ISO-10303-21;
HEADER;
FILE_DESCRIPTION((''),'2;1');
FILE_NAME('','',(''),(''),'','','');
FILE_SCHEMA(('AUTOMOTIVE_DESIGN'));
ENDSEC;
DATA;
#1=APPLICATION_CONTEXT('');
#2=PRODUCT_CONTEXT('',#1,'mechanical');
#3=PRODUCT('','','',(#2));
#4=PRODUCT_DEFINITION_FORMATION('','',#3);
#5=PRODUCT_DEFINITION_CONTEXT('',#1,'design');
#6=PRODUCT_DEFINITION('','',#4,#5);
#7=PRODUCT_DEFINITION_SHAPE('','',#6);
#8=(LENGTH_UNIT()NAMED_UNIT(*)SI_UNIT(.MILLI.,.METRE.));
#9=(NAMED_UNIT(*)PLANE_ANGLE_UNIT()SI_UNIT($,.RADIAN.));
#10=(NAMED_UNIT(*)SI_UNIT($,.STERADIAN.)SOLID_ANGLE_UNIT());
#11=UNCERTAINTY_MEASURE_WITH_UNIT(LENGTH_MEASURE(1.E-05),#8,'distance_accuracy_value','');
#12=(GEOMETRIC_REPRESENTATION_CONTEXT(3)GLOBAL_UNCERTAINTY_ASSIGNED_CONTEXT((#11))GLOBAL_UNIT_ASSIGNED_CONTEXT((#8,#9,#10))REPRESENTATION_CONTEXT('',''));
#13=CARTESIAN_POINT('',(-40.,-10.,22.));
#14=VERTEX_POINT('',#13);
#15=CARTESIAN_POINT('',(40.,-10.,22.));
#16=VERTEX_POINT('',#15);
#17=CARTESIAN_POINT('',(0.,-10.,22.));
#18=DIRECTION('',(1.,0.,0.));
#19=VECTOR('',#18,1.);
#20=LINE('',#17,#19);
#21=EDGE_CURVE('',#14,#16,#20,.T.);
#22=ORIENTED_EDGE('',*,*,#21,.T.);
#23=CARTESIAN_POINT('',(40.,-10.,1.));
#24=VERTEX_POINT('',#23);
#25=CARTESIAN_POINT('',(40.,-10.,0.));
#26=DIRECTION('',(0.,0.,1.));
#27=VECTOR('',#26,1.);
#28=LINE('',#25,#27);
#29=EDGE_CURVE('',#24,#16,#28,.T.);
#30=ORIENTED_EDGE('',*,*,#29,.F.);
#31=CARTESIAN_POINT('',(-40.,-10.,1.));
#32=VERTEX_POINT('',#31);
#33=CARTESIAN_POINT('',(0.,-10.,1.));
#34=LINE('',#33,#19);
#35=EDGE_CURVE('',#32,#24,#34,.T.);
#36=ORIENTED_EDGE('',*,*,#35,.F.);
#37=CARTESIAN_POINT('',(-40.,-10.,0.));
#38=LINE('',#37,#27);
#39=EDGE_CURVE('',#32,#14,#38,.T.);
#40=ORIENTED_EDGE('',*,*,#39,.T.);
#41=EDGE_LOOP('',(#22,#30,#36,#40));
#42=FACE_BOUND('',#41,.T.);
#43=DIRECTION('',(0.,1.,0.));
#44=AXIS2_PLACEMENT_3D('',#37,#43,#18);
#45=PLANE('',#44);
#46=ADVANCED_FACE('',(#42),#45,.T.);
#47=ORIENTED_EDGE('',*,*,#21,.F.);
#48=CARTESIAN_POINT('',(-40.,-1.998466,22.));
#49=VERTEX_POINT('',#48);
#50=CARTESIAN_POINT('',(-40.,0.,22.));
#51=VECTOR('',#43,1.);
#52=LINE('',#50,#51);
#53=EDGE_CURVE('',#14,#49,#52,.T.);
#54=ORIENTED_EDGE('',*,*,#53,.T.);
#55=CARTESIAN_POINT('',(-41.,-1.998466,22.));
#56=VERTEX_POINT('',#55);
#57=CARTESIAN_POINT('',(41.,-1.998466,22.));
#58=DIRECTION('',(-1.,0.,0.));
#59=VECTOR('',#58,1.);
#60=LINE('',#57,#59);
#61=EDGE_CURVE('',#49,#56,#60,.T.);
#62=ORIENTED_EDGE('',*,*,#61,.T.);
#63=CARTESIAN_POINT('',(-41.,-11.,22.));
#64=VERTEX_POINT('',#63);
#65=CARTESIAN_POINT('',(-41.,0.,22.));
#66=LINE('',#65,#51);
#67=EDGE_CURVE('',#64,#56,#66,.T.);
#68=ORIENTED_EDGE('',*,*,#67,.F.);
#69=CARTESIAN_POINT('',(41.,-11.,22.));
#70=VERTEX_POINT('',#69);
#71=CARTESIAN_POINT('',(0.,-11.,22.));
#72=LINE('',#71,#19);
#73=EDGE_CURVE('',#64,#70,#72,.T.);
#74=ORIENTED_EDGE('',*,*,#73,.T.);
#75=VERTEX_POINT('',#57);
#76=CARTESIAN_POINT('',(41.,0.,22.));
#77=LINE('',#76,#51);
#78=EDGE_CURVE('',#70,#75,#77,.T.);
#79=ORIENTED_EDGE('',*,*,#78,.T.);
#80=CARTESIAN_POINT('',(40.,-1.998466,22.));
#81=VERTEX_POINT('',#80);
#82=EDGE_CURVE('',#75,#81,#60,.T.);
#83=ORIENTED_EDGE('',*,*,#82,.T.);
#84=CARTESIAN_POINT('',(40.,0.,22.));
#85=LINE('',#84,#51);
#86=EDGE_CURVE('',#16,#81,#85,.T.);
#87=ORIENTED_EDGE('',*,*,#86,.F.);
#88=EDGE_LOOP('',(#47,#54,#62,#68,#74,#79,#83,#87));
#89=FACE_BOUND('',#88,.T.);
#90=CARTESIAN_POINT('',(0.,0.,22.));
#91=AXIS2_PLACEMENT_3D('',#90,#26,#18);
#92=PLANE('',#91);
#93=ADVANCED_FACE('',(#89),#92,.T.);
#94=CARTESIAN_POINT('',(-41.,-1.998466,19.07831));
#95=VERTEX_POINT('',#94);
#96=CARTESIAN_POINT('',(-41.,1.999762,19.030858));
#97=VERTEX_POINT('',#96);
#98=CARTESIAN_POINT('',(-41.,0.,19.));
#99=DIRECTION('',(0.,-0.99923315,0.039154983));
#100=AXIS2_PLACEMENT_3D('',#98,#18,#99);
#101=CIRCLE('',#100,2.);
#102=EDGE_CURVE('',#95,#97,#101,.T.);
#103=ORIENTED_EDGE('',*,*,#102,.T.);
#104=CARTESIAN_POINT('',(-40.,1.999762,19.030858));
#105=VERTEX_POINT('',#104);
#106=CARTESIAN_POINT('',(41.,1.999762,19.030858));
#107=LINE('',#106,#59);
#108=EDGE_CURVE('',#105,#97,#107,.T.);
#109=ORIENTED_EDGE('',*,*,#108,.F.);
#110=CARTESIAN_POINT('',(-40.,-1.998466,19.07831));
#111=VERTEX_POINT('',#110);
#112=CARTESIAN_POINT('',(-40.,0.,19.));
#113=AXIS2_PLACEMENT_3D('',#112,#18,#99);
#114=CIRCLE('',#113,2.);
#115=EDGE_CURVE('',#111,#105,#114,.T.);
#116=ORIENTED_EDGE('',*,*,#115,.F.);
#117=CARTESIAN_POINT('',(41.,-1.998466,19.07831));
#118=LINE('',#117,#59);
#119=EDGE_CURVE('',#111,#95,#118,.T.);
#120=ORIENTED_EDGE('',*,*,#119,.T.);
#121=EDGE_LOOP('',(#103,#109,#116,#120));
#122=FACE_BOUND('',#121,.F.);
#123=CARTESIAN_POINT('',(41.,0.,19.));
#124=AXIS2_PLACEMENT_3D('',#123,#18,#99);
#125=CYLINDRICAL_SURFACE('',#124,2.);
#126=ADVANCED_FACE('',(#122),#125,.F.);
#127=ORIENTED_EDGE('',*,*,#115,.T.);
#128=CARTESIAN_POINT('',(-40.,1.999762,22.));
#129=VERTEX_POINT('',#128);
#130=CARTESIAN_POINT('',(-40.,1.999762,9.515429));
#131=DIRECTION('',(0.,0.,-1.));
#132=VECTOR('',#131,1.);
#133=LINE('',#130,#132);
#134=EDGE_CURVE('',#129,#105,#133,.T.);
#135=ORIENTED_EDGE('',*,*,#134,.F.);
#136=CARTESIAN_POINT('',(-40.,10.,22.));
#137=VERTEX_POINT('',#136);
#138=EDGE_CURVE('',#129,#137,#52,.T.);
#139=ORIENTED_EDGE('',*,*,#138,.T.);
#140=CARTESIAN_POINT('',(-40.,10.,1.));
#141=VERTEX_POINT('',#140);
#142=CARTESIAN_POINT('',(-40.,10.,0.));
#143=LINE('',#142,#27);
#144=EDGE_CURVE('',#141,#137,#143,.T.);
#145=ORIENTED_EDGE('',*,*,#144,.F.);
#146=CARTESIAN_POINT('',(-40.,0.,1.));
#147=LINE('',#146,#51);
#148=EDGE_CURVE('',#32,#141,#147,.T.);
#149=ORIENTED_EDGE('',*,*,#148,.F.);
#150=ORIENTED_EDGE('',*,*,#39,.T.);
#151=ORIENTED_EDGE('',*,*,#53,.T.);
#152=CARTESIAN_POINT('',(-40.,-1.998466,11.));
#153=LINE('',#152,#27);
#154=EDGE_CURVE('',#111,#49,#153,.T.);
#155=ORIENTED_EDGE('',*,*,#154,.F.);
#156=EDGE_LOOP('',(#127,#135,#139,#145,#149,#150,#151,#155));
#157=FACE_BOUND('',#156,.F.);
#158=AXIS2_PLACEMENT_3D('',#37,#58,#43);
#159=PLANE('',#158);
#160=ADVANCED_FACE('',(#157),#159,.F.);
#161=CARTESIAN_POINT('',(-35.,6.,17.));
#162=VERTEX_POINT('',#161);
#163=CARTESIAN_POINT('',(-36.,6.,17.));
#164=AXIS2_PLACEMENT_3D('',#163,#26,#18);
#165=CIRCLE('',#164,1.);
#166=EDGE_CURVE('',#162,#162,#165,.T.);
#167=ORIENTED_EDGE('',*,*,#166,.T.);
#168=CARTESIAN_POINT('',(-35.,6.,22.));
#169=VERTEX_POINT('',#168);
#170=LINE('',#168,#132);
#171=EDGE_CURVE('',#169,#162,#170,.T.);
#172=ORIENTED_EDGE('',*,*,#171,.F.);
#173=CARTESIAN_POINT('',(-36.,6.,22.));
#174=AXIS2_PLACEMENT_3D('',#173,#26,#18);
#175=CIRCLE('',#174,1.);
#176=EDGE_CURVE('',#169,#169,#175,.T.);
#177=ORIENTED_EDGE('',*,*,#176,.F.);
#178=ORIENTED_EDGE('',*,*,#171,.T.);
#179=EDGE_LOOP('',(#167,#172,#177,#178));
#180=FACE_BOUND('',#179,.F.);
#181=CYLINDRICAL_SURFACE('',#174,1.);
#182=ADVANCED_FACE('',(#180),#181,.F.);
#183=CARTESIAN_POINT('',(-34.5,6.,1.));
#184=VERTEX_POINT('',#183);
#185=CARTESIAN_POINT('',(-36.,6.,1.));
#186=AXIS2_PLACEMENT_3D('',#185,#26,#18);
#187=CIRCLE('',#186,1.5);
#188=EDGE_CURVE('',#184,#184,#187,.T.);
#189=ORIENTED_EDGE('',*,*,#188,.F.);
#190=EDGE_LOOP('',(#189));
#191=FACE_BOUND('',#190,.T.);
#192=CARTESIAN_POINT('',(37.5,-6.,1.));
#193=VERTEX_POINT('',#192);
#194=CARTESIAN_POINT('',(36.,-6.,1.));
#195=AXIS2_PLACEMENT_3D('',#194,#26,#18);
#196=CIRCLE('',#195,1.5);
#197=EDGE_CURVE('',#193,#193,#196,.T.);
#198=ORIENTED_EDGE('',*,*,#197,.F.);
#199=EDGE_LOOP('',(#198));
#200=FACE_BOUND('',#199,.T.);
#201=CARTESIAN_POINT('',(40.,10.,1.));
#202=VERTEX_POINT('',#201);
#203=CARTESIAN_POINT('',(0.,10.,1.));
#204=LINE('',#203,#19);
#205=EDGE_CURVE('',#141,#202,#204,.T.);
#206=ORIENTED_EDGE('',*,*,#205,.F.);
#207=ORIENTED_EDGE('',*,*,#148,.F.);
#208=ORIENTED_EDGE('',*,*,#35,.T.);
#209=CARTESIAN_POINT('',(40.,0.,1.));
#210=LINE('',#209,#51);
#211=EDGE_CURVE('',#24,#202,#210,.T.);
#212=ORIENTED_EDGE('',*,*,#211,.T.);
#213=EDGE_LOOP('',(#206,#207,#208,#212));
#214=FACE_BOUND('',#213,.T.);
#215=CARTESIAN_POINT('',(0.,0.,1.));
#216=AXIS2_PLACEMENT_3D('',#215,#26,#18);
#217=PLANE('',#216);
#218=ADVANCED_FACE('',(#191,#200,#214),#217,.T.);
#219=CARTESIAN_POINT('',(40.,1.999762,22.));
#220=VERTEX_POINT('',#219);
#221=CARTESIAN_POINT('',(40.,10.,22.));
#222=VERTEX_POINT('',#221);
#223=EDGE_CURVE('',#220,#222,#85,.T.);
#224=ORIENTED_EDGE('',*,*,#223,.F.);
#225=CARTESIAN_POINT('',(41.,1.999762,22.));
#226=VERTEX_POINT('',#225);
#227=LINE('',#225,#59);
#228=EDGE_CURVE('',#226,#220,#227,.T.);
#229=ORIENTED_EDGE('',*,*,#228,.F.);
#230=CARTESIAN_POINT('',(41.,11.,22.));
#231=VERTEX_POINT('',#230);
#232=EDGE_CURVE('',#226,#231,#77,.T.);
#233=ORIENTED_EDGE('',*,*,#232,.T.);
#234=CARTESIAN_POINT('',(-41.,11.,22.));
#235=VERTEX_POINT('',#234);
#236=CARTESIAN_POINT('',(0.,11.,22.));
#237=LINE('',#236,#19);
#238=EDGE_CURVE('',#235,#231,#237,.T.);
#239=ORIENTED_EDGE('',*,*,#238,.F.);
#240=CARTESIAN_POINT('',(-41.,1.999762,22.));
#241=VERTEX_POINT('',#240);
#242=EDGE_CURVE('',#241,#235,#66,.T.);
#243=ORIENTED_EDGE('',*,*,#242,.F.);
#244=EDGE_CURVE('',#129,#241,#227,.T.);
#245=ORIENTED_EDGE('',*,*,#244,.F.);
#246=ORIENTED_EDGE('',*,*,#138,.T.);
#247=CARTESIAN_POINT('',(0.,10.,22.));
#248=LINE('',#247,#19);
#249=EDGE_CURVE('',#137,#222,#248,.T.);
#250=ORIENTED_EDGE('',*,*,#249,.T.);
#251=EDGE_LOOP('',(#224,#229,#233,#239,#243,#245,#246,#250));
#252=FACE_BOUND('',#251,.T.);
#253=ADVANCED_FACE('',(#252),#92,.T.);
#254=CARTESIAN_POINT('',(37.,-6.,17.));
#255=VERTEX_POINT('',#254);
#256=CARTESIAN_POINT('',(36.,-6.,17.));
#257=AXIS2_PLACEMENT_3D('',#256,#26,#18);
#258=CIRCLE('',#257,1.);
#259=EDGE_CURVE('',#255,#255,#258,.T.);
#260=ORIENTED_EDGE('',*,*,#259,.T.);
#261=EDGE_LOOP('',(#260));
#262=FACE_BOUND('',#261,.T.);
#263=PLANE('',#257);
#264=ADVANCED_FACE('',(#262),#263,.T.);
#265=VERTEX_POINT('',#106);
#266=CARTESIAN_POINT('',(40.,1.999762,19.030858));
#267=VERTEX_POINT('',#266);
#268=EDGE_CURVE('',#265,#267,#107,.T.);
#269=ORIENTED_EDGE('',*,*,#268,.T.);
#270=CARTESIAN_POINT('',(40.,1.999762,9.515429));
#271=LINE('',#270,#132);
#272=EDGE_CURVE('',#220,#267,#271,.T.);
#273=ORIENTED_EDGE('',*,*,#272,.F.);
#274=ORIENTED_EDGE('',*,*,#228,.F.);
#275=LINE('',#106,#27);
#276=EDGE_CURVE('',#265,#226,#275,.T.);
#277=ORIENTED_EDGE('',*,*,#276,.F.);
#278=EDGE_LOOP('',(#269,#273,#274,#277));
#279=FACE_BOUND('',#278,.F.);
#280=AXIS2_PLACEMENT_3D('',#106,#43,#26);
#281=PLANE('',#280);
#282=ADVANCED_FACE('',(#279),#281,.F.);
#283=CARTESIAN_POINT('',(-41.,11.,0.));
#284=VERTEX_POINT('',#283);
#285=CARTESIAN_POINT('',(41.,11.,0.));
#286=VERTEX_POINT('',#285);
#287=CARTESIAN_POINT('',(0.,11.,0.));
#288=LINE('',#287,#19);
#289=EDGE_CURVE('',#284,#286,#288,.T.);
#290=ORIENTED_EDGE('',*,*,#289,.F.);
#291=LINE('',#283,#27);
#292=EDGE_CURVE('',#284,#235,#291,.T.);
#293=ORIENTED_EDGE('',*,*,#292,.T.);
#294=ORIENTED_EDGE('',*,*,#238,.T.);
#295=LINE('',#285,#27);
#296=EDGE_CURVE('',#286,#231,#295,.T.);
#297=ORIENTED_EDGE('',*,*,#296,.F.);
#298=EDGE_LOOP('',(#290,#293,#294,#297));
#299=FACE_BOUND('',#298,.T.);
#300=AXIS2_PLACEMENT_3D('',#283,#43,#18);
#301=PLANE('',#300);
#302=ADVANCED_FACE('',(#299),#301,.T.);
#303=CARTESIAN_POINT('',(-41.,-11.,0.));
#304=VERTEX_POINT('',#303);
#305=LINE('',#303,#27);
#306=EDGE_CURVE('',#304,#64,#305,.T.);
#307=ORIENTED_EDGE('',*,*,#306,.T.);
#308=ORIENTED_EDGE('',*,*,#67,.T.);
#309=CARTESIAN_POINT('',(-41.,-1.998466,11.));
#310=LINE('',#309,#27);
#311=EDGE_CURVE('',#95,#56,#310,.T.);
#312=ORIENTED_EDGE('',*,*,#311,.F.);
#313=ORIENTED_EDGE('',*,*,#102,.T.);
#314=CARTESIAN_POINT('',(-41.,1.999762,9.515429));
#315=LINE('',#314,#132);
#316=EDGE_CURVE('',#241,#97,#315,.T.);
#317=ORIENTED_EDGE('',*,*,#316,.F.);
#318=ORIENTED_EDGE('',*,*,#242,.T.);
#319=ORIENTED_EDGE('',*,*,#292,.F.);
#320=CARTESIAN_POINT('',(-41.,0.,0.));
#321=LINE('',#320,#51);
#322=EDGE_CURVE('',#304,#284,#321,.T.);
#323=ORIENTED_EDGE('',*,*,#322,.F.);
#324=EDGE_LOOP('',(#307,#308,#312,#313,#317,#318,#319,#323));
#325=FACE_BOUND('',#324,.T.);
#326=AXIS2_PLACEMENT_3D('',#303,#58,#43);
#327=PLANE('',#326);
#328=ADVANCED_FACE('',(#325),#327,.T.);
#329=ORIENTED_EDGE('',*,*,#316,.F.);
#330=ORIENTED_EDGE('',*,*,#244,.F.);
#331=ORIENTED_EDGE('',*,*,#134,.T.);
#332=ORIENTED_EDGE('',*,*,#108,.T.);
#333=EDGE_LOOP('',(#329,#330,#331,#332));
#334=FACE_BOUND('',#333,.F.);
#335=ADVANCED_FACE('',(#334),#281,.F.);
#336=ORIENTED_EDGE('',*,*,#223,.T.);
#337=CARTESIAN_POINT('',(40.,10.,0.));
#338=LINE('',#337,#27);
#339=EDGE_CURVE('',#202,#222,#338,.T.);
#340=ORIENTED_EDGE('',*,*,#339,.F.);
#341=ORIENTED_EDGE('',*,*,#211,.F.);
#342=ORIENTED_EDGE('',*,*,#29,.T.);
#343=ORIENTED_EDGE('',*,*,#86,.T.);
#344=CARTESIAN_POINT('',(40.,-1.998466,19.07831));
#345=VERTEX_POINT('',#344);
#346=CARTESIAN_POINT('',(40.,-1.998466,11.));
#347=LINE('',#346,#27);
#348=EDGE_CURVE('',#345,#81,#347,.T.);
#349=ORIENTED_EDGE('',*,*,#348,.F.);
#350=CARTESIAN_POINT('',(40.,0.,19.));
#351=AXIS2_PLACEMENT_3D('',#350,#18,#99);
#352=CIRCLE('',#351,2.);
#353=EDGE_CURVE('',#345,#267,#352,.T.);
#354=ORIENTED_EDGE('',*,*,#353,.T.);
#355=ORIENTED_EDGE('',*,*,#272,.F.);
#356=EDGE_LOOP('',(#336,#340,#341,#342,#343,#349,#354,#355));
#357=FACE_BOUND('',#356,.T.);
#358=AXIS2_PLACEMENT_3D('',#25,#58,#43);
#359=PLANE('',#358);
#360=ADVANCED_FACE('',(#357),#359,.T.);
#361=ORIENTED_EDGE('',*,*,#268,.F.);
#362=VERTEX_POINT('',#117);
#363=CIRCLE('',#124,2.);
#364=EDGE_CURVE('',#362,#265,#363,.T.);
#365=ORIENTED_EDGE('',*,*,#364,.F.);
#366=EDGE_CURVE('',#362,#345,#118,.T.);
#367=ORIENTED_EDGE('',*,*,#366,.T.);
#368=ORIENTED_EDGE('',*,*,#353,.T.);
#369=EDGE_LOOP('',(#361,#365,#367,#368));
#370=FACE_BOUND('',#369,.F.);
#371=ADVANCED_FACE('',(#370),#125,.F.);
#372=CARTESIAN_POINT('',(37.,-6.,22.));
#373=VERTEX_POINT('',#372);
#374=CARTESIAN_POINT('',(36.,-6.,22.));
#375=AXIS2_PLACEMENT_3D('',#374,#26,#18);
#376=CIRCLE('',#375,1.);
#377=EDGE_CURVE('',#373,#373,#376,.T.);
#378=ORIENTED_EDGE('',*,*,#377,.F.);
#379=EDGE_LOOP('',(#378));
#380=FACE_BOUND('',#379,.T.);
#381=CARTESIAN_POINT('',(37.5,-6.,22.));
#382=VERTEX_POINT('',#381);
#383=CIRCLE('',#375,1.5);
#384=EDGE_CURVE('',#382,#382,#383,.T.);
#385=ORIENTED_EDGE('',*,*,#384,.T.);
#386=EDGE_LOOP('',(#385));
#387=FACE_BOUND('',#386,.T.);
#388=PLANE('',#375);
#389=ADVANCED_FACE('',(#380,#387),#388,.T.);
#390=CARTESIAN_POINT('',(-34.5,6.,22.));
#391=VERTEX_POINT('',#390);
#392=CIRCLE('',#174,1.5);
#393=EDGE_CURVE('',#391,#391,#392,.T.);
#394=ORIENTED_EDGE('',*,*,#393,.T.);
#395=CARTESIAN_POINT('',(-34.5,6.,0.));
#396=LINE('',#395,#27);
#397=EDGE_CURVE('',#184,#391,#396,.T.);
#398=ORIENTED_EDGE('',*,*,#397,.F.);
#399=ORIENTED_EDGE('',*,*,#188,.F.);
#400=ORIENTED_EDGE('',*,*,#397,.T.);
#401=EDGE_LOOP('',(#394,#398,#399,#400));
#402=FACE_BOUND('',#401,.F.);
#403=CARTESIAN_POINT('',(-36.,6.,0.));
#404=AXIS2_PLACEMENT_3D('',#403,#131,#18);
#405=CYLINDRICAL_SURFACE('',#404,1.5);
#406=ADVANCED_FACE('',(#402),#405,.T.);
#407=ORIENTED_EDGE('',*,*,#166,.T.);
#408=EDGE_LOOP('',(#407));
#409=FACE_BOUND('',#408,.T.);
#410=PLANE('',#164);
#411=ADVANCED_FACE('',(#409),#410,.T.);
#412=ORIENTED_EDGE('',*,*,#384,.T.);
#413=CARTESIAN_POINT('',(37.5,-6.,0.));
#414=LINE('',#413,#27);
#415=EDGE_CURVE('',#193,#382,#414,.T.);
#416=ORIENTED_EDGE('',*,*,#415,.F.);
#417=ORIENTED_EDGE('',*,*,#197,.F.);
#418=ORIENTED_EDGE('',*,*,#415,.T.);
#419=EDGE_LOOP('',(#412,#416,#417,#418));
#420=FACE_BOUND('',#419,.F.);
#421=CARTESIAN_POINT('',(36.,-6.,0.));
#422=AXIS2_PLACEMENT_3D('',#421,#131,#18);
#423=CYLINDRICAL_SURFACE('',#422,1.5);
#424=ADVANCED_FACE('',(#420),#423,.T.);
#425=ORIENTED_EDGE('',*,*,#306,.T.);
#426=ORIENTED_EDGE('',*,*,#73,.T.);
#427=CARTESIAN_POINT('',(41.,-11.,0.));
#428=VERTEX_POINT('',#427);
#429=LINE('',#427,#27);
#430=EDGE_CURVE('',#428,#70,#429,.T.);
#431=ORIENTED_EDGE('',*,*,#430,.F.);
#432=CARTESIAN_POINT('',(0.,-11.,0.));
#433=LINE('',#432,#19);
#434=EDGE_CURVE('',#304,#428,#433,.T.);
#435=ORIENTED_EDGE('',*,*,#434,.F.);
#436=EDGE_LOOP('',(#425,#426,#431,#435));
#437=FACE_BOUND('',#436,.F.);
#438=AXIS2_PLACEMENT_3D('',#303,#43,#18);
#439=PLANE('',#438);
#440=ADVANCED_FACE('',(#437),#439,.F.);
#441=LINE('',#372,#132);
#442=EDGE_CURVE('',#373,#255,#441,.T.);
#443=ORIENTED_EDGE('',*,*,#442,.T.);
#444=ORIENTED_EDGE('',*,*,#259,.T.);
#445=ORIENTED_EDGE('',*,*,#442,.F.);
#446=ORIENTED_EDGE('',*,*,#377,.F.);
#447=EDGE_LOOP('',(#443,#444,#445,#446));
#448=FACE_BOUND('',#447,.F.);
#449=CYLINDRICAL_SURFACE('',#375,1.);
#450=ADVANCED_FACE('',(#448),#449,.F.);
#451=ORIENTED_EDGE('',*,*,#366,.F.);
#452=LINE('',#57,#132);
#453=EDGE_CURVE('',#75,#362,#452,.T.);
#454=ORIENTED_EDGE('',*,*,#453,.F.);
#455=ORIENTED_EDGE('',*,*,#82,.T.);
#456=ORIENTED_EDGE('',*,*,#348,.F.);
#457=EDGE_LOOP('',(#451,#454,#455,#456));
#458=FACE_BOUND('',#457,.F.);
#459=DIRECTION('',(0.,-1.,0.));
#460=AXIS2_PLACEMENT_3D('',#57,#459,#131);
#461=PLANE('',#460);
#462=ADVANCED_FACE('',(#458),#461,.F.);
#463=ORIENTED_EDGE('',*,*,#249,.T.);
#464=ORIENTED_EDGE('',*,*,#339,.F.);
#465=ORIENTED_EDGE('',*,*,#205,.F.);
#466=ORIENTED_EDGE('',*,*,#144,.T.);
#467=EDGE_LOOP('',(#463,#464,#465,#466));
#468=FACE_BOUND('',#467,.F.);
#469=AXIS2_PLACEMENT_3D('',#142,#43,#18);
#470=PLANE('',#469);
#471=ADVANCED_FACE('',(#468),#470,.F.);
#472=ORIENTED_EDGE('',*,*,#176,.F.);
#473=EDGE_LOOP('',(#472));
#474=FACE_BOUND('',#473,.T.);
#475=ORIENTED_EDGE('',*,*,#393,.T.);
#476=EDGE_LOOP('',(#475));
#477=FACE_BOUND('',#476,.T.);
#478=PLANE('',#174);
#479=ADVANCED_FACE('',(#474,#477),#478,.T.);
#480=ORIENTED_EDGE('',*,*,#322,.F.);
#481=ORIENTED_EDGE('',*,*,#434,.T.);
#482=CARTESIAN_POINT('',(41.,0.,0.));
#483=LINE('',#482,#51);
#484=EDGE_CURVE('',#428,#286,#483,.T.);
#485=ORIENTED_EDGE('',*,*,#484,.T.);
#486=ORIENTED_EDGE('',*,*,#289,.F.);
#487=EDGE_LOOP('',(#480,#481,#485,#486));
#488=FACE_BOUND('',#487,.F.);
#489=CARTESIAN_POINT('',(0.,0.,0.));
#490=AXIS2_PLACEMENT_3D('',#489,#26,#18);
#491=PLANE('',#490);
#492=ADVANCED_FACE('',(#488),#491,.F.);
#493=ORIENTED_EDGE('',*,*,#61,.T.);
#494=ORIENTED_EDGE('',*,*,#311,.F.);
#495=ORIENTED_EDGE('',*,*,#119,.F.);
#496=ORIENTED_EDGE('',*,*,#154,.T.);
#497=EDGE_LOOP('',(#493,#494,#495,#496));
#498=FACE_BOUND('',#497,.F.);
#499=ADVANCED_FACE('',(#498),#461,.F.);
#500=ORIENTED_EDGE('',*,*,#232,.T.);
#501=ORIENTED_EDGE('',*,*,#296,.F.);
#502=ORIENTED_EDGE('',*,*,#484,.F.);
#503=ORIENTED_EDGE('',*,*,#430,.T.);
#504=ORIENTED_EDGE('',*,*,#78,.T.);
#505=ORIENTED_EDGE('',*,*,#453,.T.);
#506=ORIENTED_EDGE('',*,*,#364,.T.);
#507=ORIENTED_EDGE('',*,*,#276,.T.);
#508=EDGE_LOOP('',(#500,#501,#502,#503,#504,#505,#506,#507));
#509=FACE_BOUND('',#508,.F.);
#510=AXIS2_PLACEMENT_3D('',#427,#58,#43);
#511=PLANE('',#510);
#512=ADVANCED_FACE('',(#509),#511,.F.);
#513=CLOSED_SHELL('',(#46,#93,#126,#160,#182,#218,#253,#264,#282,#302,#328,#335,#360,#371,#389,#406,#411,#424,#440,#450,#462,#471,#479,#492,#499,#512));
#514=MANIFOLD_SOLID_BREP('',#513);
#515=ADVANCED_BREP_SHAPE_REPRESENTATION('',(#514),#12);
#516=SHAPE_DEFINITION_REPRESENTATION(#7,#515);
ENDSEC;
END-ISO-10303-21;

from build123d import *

# Parameters (mm, degrees)
F0_W     = 80
F0_H     = 20
F0_R     = 1.5
F1_DEPTH = 1
F0_W_2   = 82
F0_H_2   = 22
F2_DEPTH = 22
F3_R     = 1
F4_DEPTH = 5
F6_DEPTH = 100


with BuildPart() as f1:
    # F0 (on Top) → F1 (new body)
    with BuildSketch(Plane.XY):
        Rectangle(F0_W, F0_H)
        with Locations((36, -6)):
            Circle(F0_R, mode=Mode.SUBTRACT)
        with Locations((-36, 6)):
            Circle(F0_R, mode=Mode.SUBTRACT)
    extrude(amount=F1_DEPTH)

    # F0 (on Top) → F2 (join)
    with BuildSketch(Plane.XY):
        Rectangle(F0_W_2, F0_H_2)
        Rectangle(F0_W, F0_H, mode=Mode.SUBTRACT)
        with Locations((-36, 6)):
            Circle(F0_R)
        with Locations((36, -6)):
            Circle(F0_R)
    extrude(amount=F2_DEPTH)

    # F3 (on face) → F4 (cut)
    with BuildSketch(Plane.XY.offset(22)):
        with Locations((36, -6)):
            Circle(F3_R)
        with Locations((-36, 6)):
            Circle(F3_R)
    extrude(amount=-F4_DEPTH, mode=Mode.SUBTRACT)

    # F5 (on face) → F6 (cut)
    with BuildSketch(Plane.YZ.offset(41)):
        with BuildLine():
            Line((-1.998466, 22), (-1.998466, 19.07831))
            ThreePointArc((-1.998466, 19.07831), (-0.023735, 17.000141), (1.999762, 19.030858))
            Line((1.999762, 19.030858), (1.999762, 22))
            Line((1.999762, 22), (-1.998466, 22))
        make_face()
    extrude(amount=-F6_DEPTH, mode=Mode.SUBTRACT)


solid = f1.part
